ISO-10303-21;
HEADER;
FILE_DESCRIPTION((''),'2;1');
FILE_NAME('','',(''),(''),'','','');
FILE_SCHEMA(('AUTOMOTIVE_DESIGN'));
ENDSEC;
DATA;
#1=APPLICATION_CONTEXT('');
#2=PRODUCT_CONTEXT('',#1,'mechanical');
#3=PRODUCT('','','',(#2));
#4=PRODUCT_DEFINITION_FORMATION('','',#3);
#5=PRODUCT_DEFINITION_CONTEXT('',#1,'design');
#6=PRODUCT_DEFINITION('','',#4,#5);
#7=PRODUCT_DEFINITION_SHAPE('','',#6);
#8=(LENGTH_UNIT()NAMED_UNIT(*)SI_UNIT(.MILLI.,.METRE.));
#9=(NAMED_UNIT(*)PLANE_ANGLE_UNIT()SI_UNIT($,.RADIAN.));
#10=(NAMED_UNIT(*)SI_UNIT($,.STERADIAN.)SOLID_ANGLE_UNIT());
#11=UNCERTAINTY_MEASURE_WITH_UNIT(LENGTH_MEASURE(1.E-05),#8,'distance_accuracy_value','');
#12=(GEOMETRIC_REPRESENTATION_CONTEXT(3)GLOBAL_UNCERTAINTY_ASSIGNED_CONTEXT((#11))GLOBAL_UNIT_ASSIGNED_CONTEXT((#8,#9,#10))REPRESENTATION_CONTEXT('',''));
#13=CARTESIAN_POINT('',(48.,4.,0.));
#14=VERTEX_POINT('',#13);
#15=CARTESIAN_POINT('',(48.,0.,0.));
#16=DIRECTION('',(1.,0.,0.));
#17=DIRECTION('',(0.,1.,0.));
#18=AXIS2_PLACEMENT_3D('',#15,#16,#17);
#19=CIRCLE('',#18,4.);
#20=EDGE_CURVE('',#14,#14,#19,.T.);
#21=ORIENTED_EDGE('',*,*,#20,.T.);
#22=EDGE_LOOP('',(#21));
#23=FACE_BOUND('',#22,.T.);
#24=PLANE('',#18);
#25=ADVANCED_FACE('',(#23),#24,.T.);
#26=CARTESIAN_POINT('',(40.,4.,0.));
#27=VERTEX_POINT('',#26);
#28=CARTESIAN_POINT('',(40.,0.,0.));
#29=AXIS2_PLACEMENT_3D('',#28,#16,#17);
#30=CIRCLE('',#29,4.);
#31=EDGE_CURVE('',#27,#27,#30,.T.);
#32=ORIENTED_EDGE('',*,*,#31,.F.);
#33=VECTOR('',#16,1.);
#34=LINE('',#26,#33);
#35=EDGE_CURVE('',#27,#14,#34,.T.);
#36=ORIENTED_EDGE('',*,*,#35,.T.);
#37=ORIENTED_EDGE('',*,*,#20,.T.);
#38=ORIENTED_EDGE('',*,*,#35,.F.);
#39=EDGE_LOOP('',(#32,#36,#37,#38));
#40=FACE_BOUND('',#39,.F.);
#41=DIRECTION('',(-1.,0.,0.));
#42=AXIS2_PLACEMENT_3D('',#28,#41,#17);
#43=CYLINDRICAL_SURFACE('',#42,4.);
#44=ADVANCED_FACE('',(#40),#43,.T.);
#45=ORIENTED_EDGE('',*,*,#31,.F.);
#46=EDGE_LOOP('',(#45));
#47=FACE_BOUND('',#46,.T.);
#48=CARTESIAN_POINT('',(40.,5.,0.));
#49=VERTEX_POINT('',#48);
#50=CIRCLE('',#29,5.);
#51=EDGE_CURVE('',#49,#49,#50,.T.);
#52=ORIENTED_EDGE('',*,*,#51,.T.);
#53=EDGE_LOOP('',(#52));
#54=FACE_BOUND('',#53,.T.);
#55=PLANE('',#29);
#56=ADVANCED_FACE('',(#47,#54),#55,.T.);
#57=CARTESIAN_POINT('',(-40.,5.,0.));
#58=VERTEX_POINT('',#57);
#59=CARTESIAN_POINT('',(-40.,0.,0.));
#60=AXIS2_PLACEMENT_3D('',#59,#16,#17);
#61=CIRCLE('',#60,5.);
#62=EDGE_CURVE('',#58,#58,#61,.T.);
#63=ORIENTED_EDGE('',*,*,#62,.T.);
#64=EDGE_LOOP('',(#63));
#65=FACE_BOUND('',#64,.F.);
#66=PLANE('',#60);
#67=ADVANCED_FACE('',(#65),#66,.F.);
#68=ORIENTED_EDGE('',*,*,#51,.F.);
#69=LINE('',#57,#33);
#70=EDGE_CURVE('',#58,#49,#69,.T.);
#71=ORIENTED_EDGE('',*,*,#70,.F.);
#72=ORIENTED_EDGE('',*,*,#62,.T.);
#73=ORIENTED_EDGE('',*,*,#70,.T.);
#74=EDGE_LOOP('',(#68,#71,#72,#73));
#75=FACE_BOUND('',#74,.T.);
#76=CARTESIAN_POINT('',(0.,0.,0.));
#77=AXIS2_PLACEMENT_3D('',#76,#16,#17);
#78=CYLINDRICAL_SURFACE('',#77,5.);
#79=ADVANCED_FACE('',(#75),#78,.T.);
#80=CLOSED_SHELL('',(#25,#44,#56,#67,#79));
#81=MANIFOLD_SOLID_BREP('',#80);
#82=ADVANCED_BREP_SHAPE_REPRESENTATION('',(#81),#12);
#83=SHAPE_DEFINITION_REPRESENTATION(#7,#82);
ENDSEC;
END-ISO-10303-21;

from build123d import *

# Parameters (mm, degrees)
F0_R     = 5
F1_DEPTH = 40
F2_R     = 4
F3_DEPTH = 8


with BuildPart() as f1:
    # F0 (on Right) → F1 (new body, symmetric)
    with BuildSketch(Plane.YZ):
        Circle(F0_R)
    extrude(amount=F1_DEPTH, both=True)

    # F2 (on face) → F3 (join)
    with BuildSketch(Plane.YZ.offset(40)):
        Circle(F2_R)
    extrude(amount=F3_DEPTH)


solid = f1.part
